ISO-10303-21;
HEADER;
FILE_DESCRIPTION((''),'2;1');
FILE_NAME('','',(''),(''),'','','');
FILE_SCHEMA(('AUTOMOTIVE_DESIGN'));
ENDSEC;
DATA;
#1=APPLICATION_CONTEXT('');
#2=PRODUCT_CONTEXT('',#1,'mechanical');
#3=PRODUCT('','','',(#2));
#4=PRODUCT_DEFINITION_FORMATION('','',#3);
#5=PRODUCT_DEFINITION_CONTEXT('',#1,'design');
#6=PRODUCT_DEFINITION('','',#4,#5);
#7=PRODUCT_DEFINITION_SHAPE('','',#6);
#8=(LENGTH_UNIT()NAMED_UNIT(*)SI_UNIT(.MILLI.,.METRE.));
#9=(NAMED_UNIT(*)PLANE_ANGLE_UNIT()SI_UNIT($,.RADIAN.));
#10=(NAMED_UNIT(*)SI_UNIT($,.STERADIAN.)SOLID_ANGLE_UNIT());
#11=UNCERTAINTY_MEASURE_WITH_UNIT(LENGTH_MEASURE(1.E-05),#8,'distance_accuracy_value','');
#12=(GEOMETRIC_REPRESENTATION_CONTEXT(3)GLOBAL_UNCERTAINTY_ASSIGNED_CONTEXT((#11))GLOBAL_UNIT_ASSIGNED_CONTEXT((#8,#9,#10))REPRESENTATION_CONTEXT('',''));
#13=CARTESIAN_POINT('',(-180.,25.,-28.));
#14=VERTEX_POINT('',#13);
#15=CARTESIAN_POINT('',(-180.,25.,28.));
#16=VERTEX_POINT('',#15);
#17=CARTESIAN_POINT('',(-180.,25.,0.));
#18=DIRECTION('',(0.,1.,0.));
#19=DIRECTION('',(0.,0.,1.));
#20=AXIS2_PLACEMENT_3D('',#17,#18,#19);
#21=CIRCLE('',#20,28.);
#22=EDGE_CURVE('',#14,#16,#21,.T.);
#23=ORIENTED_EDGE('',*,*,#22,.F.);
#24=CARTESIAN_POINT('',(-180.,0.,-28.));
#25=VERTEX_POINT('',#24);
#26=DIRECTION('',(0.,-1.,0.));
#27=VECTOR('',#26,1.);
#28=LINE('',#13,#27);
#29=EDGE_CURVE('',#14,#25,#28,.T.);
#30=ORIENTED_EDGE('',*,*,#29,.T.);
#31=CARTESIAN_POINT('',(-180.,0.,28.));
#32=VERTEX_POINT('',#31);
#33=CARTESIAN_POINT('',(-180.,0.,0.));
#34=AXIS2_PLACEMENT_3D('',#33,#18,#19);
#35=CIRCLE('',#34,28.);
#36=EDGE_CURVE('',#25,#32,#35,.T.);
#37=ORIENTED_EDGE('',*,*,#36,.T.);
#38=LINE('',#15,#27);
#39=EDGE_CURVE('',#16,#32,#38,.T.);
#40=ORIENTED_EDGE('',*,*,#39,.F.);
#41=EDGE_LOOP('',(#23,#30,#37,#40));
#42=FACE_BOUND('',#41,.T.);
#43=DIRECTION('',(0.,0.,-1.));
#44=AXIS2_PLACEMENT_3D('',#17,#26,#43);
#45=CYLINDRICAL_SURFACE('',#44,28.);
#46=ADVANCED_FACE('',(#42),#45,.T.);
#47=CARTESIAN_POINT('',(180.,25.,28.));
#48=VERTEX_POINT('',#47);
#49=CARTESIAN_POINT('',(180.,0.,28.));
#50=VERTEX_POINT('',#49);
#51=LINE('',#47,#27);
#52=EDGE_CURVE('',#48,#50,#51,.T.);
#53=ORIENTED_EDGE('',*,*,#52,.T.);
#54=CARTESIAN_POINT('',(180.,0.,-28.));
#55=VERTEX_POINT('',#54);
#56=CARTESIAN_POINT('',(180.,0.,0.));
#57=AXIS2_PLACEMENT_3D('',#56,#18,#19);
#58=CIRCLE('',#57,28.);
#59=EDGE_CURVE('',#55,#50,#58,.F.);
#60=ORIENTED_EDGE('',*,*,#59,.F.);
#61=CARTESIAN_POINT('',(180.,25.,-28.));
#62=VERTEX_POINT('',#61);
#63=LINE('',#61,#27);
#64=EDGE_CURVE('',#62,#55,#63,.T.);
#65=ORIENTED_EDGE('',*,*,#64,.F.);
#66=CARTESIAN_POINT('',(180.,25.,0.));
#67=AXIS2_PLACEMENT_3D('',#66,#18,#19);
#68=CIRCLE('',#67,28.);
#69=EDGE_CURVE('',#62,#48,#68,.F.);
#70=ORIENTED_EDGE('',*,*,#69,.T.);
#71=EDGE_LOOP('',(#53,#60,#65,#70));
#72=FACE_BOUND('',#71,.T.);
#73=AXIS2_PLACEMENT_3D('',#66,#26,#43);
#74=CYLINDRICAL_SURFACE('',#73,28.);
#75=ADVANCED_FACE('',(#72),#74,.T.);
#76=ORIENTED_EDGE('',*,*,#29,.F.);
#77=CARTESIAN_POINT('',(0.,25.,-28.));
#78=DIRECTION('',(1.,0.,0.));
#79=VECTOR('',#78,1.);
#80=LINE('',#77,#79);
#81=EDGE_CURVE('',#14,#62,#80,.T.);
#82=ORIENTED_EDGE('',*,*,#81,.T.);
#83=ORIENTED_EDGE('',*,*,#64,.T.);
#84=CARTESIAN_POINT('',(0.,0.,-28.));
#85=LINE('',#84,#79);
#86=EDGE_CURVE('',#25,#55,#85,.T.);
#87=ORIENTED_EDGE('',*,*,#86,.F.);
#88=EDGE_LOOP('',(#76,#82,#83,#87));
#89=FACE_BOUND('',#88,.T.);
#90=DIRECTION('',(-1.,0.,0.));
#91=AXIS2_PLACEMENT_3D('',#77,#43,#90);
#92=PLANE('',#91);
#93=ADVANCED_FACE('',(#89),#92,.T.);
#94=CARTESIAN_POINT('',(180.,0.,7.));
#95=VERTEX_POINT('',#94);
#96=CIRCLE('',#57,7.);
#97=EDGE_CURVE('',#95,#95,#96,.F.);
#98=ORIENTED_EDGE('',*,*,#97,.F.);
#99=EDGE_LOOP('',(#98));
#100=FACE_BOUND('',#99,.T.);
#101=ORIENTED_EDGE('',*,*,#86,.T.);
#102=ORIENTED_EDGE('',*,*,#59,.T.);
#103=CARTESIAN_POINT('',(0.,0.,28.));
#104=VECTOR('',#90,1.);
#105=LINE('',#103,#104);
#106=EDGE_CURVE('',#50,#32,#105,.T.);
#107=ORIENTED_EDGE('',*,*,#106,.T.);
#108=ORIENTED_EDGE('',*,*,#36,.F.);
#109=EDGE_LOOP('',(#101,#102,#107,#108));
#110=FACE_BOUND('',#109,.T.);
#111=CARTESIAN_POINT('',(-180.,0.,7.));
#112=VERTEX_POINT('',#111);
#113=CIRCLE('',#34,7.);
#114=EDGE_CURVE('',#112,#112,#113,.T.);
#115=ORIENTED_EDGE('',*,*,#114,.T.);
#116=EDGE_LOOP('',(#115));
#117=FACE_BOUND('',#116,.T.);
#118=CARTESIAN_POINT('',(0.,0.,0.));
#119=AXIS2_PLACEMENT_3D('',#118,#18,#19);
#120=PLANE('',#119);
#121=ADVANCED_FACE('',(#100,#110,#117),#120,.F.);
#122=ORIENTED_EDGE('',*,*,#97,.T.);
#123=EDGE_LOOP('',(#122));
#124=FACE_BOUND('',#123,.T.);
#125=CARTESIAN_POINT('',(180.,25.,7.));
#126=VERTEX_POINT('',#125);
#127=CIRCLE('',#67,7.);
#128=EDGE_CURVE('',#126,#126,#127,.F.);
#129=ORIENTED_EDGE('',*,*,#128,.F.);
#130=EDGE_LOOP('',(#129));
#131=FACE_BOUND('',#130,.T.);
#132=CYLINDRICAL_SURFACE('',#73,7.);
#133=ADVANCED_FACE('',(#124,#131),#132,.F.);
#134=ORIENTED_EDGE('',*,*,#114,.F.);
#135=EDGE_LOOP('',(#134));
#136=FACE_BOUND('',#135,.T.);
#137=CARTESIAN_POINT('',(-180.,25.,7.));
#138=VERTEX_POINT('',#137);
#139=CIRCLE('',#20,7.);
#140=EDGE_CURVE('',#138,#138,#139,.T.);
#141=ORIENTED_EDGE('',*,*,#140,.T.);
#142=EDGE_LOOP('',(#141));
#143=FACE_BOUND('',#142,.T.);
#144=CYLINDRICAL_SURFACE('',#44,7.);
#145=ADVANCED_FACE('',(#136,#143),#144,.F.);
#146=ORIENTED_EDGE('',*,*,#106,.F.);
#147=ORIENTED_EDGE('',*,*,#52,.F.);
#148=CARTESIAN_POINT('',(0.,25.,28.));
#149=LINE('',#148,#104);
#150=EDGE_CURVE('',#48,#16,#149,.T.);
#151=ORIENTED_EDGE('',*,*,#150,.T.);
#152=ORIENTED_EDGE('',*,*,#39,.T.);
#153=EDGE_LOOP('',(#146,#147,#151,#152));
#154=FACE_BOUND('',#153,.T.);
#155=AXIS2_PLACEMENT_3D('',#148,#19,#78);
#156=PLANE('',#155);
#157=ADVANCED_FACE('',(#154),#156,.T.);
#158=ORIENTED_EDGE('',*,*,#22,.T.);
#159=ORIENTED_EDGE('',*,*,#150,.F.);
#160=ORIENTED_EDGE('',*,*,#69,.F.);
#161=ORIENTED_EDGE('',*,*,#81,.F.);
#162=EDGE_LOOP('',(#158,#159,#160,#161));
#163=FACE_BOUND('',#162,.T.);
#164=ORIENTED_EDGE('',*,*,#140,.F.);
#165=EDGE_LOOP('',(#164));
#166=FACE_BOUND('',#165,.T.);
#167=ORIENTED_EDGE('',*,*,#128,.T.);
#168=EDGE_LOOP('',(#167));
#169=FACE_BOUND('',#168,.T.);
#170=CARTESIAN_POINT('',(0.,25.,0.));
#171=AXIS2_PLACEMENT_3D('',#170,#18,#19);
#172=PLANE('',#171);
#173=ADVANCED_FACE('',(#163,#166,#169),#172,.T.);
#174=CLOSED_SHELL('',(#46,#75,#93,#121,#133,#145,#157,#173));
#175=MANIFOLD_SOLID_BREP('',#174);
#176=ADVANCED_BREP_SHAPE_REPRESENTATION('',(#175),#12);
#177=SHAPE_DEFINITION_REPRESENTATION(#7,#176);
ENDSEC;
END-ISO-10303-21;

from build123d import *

# Parameters (mm, degrees)
SKETCH_1_R      = 28
SKETCH_1_R_2    = 7
EXTRUDE_1_DEPTH = 25


with BuildPart() as part:
    # 草图1 → 凸台-拉伸1 (new body)
    with BuildSketch(Plane(origin=(0, 0, 0), x_dir=(1, 0, 0), z_dir=(0, 1, 0))):
        with BuildLine():
            Line((180, 28), (-180, 28))
            ThreePointArc((-180, 28), (-160.201010127, 19.798989873), (-152, 0))
            ThreePointArc((-152, 0), (-160.201010127, -19.798989873), (-180, -28))
            Line((-180, -28), (180, -28))
            ThreePointArc((180, -28), (152, 0), (180, 28))
        make_face()
        with Locations((180, 0)):
            Circle(SKETCH_1_R)
        with Locations((180, 0)):
            Circle(SKETCH_1_R_2, mode=Mode.SUBTRACT)
        with Locations((-180, 0)):
            Circle(SKETCH_1_R)
        with Locations((-180, 0)):
            Circle(SKETCH_1_R_2, mode=Mode.SUBTRACT)
    extrude(amount=EXTRUDE_1_DEPTH)


solid = part.part
